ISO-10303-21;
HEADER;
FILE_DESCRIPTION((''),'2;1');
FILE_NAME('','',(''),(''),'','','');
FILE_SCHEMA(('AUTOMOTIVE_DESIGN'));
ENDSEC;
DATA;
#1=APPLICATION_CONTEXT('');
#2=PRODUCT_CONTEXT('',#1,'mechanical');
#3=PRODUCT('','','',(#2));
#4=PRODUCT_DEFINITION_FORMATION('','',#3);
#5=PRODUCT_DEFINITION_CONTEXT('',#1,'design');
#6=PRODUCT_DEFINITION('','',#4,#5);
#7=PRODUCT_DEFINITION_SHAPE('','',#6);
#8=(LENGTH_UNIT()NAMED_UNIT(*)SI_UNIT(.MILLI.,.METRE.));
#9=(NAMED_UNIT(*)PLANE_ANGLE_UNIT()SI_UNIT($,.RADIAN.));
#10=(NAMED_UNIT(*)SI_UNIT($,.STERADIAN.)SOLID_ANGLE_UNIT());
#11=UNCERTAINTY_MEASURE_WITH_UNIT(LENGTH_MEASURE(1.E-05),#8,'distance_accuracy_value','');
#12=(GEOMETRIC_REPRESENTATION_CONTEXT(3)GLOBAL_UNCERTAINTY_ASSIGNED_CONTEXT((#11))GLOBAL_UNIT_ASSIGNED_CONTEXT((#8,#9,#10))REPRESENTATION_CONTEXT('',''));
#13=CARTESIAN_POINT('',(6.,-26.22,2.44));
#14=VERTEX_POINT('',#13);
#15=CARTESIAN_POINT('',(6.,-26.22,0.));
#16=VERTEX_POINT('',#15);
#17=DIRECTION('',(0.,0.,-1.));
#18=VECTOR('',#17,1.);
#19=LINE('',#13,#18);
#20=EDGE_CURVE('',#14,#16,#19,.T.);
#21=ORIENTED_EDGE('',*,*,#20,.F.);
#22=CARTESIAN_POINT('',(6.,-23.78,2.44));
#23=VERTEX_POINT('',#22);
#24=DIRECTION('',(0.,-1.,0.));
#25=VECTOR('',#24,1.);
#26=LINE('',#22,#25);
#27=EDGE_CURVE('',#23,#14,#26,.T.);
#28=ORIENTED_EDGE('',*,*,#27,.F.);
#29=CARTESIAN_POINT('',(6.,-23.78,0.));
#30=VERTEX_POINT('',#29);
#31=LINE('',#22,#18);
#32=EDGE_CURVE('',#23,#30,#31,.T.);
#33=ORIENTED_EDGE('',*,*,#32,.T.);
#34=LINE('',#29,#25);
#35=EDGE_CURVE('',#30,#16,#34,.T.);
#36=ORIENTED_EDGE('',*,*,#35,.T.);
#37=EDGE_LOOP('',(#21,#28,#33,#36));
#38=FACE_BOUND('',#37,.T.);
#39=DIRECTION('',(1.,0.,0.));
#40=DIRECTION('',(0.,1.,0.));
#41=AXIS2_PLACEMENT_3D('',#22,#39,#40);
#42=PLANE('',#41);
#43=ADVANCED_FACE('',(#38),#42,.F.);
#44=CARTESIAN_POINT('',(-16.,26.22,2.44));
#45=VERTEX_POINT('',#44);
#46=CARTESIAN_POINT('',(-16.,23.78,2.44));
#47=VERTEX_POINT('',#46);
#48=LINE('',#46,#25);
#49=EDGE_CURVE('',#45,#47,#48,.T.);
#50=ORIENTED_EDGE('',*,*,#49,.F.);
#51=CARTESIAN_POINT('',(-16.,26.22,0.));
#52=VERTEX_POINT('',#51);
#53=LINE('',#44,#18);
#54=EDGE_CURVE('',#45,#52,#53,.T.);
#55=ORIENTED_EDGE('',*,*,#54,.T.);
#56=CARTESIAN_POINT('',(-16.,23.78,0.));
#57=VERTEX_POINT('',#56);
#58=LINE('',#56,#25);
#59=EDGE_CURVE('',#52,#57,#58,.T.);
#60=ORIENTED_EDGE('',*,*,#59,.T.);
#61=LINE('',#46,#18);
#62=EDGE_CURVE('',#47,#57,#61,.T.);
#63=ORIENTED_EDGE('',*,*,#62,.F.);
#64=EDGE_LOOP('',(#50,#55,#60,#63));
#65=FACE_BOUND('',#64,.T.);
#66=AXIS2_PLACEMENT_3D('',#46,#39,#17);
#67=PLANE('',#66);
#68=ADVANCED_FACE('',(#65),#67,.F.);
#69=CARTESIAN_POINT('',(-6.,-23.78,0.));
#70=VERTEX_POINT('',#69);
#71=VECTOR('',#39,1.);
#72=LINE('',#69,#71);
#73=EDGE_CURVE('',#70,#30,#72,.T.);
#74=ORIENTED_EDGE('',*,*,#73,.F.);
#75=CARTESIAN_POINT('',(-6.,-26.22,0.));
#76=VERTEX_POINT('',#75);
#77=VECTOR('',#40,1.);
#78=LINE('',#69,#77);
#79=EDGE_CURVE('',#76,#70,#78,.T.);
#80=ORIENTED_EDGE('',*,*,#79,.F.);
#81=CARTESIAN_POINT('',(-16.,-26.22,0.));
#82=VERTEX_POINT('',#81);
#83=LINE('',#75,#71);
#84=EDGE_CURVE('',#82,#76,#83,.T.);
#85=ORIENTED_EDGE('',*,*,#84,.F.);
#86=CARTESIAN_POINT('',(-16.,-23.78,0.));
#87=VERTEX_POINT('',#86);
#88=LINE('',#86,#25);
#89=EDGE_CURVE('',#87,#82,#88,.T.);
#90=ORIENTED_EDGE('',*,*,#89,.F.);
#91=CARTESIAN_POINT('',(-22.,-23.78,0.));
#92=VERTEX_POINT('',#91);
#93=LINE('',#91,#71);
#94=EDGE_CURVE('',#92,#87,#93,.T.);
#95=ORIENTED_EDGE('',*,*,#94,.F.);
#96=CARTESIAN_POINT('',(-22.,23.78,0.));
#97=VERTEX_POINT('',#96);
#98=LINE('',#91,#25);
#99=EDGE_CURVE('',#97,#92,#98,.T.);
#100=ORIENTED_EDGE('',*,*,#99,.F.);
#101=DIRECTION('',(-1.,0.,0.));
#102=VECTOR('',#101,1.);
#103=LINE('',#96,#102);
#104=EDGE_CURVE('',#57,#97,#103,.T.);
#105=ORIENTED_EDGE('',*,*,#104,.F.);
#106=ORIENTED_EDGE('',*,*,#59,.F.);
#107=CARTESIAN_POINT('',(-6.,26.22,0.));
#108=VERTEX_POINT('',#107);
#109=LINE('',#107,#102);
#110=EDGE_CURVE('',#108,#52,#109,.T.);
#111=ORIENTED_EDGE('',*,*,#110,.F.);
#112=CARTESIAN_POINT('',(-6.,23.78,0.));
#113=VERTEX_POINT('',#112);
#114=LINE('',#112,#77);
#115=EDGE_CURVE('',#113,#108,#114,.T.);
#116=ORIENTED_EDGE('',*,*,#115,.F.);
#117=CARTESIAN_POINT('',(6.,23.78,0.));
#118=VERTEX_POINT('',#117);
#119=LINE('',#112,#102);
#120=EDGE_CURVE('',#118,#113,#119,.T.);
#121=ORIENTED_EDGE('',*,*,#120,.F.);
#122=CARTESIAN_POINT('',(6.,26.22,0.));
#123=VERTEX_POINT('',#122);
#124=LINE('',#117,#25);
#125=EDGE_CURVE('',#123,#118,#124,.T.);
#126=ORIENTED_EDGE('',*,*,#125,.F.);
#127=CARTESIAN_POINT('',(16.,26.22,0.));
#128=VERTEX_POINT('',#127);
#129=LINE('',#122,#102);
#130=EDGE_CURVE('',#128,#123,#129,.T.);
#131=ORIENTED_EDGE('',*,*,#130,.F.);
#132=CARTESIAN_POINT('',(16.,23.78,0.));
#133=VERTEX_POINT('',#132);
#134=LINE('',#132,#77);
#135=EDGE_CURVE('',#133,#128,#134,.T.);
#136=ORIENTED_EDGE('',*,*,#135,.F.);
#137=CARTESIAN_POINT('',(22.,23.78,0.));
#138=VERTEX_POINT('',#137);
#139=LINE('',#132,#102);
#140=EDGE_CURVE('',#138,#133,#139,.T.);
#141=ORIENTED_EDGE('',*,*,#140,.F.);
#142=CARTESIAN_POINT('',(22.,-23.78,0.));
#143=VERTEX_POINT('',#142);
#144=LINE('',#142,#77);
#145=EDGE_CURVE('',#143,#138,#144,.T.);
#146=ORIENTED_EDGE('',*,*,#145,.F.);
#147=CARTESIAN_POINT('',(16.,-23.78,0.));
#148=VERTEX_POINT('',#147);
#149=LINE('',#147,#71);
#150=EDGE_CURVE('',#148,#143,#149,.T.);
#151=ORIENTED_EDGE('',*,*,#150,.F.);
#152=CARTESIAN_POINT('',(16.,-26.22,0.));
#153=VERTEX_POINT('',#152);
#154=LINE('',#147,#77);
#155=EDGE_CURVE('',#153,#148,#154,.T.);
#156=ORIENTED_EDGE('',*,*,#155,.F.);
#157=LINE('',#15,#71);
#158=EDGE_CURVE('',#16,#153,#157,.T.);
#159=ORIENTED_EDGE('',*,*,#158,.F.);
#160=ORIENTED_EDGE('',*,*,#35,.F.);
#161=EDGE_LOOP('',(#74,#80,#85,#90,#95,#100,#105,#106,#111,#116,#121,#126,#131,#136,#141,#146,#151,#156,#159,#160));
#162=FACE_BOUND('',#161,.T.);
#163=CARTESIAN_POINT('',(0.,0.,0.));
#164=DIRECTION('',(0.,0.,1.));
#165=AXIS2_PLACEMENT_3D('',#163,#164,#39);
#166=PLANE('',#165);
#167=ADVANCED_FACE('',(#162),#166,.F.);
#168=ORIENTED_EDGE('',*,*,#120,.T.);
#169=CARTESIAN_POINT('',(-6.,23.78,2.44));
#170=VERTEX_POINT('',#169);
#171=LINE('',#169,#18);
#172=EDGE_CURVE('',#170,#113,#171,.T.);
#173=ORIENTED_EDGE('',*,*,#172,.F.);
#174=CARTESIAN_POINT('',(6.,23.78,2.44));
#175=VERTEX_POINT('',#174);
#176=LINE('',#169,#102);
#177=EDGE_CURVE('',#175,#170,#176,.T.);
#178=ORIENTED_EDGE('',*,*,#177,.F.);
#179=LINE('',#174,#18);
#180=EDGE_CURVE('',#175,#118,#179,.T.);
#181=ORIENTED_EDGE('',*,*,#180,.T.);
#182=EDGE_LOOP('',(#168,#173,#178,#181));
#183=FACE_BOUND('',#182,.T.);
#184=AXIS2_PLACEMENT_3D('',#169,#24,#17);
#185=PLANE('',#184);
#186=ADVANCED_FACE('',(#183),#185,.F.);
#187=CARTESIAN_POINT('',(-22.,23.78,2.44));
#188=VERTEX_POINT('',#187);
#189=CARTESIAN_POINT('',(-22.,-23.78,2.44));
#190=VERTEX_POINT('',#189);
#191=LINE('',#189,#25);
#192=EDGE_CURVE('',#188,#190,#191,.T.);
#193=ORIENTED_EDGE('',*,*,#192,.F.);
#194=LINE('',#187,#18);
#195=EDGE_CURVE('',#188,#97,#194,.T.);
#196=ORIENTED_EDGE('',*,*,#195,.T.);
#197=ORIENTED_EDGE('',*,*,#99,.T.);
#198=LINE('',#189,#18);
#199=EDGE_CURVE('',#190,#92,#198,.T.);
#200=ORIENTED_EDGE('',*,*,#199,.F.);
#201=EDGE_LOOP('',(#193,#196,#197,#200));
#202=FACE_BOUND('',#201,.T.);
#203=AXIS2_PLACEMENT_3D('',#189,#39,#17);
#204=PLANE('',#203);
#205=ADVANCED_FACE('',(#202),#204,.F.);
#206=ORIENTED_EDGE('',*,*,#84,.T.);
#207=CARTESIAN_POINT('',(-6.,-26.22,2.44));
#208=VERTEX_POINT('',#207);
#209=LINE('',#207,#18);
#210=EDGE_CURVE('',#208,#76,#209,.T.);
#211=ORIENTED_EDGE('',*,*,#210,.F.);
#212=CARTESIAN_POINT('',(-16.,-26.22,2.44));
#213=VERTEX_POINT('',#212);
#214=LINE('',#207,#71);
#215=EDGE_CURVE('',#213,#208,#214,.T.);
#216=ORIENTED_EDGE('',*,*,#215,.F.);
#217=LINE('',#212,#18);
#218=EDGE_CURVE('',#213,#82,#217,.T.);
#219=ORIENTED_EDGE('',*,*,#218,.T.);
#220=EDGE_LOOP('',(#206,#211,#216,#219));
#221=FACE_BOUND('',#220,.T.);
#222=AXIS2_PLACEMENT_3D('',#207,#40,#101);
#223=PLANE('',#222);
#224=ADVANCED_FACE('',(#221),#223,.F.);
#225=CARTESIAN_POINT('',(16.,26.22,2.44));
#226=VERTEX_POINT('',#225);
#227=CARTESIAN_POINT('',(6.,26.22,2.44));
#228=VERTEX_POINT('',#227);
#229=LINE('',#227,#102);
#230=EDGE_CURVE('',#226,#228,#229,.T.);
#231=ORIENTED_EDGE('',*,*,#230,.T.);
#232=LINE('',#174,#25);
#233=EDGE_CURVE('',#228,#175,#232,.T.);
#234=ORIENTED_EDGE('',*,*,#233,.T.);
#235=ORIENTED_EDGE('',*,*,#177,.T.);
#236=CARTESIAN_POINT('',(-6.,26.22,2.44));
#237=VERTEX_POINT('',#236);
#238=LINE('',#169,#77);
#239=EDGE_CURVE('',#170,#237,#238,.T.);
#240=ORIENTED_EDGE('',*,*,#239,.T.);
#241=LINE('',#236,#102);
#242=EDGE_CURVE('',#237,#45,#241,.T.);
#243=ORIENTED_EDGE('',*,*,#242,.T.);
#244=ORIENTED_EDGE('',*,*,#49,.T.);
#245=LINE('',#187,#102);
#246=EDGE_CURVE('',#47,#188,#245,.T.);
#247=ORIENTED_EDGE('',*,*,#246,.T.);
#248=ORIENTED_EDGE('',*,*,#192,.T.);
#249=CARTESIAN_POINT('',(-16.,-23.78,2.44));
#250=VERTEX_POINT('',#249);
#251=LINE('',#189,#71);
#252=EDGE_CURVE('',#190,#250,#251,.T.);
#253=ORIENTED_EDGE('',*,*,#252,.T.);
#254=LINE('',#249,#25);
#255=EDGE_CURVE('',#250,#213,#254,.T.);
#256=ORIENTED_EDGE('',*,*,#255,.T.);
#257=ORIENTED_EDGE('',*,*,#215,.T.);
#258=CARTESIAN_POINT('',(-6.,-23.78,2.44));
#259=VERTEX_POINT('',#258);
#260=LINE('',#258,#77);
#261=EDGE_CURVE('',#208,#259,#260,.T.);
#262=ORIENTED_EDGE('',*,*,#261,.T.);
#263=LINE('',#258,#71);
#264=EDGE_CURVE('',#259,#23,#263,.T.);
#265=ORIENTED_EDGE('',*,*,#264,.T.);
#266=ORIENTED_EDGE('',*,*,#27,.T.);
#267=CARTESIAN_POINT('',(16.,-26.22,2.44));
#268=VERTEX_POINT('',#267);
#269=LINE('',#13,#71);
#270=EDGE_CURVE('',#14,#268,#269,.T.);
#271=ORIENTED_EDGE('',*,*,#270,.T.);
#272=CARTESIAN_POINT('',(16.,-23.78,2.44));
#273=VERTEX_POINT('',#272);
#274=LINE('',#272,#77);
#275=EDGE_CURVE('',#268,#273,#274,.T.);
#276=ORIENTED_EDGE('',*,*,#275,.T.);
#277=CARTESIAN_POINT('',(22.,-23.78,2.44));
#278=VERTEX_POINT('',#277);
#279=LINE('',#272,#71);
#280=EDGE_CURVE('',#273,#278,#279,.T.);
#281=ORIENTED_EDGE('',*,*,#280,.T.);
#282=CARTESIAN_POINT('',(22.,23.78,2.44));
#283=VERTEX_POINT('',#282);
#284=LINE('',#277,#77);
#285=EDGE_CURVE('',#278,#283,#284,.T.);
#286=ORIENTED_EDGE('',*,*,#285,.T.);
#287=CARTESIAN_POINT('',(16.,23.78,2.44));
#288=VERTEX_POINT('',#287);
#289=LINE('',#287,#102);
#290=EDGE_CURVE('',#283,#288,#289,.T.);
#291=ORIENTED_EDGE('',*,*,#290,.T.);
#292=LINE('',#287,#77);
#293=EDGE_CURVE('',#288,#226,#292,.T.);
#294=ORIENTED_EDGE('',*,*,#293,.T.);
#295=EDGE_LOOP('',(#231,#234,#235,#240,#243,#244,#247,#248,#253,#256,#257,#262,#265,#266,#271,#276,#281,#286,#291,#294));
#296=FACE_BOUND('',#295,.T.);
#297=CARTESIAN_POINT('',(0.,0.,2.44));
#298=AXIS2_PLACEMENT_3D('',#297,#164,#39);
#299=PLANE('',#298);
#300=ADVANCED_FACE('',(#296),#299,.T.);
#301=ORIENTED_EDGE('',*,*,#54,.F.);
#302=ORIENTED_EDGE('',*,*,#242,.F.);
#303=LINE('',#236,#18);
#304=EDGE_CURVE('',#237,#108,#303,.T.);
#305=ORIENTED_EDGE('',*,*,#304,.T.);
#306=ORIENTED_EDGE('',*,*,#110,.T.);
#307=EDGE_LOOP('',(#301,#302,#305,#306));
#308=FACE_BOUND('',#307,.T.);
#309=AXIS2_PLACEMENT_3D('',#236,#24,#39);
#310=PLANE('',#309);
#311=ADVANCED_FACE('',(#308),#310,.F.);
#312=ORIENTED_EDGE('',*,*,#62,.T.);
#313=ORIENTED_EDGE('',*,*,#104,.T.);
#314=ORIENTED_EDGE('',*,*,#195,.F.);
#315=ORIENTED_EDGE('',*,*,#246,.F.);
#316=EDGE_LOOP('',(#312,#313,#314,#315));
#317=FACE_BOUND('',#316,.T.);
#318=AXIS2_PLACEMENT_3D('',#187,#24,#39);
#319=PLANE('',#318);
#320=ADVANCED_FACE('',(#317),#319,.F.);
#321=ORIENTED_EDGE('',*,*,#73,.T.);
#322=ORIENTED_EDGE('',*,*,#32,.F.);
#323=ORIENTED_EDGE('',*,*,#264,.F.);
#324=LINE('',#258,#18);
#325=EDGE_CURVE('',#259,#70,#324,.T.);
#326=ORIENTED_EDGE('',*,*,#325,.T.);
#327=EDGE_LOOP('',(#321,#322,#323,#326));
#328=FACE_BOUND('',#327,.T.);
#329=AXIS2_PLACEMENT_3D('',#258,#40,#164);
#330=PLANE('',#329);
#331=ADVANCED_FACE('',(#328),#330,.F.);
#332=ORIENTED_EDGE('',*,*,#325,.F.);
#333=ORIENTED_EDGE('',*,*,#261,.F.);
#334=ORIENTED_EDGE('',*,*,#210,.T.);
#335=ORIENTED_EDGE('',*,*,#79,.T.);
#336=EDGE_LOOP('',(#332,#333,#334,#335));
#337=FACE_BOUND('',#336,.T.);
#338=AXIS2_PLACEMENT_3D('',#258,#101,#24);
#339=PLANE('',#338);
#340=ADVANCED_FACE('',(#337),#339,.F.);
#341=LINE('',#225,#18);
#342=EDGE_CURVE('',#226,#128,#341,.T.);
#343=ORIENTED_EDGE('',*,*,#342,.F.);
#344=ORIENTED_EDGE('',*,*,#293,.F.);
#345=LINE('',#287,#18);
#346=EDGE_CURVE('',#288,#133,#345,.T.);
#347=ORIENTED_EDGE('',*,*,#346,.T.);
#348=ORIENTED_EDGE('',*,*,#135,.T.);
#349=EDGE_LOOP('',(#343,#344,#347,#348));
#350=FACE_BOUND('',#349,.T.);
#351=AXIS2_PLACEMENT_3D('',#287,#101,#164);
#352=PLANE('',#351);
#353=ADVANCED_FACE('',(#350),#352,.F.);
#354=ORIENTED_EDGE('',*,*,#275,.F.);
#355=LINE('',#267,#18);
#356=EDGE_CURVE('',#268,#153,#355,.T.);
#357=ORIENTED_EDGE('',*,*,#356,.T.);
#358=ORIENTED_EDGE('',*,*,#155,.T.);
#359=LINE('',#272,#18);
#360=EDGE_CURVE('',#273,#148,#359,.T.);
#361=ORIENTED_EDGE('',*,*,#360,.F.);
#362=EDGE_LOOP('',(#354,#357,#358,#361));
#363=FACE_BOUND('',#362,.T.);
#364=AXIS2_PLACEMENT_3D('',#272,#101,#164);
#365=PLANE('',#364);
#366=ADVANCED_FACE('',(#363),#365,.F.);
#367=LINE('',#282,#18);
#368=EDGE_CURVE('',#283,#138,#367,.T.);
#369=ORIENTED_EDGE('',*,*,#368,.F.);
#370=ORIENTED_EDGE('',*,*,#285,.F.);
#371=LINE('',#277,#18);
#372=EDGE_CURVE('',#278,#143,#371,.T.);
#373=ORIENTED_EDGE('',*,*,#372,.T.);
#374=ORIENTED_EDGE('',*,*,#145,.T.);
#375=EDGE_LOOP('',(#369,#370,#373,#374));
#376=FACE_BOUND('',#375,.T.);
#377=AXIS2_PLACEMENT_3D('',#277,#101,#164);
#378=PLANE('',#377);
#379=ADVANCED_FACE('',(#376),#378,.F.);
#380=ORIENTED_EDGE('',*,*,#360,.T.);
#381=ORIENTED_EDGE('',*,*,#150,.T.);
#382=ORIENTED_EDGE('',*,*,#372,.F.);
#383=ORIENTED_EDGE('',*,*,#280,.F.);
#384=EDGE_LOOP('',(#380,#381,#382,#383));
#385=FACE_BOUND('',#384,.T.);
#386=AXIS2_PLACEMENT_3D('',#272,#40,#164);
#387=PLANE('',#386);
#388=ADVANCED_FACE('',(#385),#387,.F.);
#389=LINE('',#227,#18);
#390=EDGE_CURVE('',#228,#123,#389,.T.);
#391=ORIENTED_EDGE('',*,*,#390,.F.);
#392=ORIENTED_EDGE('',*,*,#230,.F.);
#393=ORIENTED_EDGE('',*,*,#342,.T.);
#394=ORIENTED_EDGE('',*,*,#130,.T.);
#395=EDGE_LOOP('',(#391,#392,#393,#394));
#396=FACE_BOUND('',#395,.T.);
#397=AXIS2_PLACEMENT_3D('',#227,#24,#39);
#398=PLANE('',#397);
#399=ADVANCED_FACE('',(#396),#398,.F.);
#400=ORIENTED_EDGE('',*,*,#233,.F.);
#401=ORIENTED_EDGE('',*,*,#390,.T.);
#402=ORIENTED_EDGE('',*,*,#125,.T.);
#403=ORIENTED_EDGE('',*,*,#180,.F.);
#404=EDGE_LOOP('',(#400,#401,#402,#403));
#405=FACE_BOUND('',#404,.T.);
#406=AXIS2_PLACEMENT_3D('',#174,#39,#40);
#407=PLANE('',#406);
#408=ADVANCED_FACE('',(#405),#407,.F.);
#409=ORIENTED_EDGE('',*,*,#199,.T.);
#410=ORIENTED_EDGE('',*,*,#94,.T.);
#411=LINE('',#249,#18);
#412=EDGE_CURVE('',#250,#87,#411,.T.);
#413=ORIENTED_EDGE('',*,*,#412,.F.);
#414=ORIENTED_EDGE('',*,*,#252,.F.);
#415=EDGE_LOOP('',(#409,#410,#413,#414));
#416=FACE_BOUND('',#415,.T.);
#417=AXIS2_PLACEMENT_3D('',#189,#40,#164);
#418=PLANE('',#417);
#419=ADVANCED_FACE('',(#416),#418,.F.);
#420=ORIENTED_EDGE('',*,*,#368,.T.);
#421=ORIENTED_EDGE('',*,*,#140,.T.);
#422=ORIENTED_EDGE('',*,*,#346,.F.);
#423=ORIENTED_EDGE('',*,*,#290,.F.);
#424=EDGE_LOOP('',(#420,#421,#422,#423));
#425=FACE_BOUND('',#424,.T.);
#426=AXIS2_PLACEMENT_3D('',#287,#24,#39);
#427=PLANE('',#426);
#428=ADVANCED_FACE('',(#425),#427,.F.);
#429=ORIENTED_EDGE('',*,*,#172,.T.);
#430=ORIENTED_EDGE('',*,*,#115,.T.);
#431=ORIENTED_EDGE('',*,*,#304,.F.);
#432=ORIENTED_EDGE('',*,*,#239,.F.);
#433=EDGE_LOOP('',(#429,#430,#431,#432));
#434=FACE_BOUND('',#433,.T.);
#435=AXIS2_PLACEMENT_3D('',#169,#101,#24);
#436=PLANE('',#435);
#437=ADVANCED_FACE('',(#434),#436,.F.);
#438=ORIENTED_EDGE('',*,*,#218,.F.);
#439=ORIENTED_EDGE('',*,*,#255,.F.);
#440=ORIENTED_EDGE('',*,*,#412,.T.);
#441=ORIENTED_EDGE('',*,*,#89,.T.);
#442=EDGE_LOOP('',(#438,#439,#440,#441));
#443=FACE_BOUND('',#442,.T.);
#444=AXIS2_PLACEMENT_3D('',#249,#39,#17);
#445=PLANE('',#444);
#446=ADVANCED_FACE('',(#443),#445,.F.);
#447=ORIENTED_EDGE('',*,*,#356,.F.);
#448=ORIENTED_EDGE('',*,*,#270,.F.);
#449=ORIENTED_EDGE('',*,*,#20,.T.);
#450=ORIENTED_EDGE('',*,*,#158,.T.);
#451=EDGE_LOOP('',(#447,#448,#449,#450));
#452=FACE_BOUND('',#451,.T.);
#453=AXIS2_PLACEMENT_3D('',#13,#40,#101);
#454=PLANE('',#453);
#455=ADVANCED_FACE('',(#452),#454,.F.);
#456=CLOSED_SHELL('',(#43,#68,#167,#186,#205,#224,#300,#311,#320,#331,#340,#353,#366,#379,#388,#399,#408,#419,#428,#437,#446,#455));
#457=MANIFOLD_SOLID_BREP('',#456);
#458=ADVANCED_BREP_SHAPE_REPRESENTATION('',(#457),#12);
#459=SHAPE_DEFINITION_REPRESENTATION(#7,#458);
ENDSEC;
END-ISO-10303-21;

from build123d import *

# Parameters (mm, degrees)
SALIENTE_EXTRUIR1_DEPTH = 2.44


with BuildPart() as part:
    # Croquis1 → Saliente-Extruir1 (new body)
    with BuildSketch(Plane.XY):
        Polygon((-22, -23.78), (-16, -23.78), (-16, -26.22), (-6, -26.22), (-6, -23.78), (6, -23.78), (6, -26.22), (16, -26.22), (16, -23.78), (22, -23.78), (22, 23.78), (16, 23.78), (16, 26.22), (6, 26.22), (6, 23.78), (-6, 23.78), (-6, 26.22), (-16, 26.22), (-16, 23.78), (-22, 23.78), align=None)
    extrude(amount=SALIENTE_EXTRUIR1_DEPTH)


solid = part.part
